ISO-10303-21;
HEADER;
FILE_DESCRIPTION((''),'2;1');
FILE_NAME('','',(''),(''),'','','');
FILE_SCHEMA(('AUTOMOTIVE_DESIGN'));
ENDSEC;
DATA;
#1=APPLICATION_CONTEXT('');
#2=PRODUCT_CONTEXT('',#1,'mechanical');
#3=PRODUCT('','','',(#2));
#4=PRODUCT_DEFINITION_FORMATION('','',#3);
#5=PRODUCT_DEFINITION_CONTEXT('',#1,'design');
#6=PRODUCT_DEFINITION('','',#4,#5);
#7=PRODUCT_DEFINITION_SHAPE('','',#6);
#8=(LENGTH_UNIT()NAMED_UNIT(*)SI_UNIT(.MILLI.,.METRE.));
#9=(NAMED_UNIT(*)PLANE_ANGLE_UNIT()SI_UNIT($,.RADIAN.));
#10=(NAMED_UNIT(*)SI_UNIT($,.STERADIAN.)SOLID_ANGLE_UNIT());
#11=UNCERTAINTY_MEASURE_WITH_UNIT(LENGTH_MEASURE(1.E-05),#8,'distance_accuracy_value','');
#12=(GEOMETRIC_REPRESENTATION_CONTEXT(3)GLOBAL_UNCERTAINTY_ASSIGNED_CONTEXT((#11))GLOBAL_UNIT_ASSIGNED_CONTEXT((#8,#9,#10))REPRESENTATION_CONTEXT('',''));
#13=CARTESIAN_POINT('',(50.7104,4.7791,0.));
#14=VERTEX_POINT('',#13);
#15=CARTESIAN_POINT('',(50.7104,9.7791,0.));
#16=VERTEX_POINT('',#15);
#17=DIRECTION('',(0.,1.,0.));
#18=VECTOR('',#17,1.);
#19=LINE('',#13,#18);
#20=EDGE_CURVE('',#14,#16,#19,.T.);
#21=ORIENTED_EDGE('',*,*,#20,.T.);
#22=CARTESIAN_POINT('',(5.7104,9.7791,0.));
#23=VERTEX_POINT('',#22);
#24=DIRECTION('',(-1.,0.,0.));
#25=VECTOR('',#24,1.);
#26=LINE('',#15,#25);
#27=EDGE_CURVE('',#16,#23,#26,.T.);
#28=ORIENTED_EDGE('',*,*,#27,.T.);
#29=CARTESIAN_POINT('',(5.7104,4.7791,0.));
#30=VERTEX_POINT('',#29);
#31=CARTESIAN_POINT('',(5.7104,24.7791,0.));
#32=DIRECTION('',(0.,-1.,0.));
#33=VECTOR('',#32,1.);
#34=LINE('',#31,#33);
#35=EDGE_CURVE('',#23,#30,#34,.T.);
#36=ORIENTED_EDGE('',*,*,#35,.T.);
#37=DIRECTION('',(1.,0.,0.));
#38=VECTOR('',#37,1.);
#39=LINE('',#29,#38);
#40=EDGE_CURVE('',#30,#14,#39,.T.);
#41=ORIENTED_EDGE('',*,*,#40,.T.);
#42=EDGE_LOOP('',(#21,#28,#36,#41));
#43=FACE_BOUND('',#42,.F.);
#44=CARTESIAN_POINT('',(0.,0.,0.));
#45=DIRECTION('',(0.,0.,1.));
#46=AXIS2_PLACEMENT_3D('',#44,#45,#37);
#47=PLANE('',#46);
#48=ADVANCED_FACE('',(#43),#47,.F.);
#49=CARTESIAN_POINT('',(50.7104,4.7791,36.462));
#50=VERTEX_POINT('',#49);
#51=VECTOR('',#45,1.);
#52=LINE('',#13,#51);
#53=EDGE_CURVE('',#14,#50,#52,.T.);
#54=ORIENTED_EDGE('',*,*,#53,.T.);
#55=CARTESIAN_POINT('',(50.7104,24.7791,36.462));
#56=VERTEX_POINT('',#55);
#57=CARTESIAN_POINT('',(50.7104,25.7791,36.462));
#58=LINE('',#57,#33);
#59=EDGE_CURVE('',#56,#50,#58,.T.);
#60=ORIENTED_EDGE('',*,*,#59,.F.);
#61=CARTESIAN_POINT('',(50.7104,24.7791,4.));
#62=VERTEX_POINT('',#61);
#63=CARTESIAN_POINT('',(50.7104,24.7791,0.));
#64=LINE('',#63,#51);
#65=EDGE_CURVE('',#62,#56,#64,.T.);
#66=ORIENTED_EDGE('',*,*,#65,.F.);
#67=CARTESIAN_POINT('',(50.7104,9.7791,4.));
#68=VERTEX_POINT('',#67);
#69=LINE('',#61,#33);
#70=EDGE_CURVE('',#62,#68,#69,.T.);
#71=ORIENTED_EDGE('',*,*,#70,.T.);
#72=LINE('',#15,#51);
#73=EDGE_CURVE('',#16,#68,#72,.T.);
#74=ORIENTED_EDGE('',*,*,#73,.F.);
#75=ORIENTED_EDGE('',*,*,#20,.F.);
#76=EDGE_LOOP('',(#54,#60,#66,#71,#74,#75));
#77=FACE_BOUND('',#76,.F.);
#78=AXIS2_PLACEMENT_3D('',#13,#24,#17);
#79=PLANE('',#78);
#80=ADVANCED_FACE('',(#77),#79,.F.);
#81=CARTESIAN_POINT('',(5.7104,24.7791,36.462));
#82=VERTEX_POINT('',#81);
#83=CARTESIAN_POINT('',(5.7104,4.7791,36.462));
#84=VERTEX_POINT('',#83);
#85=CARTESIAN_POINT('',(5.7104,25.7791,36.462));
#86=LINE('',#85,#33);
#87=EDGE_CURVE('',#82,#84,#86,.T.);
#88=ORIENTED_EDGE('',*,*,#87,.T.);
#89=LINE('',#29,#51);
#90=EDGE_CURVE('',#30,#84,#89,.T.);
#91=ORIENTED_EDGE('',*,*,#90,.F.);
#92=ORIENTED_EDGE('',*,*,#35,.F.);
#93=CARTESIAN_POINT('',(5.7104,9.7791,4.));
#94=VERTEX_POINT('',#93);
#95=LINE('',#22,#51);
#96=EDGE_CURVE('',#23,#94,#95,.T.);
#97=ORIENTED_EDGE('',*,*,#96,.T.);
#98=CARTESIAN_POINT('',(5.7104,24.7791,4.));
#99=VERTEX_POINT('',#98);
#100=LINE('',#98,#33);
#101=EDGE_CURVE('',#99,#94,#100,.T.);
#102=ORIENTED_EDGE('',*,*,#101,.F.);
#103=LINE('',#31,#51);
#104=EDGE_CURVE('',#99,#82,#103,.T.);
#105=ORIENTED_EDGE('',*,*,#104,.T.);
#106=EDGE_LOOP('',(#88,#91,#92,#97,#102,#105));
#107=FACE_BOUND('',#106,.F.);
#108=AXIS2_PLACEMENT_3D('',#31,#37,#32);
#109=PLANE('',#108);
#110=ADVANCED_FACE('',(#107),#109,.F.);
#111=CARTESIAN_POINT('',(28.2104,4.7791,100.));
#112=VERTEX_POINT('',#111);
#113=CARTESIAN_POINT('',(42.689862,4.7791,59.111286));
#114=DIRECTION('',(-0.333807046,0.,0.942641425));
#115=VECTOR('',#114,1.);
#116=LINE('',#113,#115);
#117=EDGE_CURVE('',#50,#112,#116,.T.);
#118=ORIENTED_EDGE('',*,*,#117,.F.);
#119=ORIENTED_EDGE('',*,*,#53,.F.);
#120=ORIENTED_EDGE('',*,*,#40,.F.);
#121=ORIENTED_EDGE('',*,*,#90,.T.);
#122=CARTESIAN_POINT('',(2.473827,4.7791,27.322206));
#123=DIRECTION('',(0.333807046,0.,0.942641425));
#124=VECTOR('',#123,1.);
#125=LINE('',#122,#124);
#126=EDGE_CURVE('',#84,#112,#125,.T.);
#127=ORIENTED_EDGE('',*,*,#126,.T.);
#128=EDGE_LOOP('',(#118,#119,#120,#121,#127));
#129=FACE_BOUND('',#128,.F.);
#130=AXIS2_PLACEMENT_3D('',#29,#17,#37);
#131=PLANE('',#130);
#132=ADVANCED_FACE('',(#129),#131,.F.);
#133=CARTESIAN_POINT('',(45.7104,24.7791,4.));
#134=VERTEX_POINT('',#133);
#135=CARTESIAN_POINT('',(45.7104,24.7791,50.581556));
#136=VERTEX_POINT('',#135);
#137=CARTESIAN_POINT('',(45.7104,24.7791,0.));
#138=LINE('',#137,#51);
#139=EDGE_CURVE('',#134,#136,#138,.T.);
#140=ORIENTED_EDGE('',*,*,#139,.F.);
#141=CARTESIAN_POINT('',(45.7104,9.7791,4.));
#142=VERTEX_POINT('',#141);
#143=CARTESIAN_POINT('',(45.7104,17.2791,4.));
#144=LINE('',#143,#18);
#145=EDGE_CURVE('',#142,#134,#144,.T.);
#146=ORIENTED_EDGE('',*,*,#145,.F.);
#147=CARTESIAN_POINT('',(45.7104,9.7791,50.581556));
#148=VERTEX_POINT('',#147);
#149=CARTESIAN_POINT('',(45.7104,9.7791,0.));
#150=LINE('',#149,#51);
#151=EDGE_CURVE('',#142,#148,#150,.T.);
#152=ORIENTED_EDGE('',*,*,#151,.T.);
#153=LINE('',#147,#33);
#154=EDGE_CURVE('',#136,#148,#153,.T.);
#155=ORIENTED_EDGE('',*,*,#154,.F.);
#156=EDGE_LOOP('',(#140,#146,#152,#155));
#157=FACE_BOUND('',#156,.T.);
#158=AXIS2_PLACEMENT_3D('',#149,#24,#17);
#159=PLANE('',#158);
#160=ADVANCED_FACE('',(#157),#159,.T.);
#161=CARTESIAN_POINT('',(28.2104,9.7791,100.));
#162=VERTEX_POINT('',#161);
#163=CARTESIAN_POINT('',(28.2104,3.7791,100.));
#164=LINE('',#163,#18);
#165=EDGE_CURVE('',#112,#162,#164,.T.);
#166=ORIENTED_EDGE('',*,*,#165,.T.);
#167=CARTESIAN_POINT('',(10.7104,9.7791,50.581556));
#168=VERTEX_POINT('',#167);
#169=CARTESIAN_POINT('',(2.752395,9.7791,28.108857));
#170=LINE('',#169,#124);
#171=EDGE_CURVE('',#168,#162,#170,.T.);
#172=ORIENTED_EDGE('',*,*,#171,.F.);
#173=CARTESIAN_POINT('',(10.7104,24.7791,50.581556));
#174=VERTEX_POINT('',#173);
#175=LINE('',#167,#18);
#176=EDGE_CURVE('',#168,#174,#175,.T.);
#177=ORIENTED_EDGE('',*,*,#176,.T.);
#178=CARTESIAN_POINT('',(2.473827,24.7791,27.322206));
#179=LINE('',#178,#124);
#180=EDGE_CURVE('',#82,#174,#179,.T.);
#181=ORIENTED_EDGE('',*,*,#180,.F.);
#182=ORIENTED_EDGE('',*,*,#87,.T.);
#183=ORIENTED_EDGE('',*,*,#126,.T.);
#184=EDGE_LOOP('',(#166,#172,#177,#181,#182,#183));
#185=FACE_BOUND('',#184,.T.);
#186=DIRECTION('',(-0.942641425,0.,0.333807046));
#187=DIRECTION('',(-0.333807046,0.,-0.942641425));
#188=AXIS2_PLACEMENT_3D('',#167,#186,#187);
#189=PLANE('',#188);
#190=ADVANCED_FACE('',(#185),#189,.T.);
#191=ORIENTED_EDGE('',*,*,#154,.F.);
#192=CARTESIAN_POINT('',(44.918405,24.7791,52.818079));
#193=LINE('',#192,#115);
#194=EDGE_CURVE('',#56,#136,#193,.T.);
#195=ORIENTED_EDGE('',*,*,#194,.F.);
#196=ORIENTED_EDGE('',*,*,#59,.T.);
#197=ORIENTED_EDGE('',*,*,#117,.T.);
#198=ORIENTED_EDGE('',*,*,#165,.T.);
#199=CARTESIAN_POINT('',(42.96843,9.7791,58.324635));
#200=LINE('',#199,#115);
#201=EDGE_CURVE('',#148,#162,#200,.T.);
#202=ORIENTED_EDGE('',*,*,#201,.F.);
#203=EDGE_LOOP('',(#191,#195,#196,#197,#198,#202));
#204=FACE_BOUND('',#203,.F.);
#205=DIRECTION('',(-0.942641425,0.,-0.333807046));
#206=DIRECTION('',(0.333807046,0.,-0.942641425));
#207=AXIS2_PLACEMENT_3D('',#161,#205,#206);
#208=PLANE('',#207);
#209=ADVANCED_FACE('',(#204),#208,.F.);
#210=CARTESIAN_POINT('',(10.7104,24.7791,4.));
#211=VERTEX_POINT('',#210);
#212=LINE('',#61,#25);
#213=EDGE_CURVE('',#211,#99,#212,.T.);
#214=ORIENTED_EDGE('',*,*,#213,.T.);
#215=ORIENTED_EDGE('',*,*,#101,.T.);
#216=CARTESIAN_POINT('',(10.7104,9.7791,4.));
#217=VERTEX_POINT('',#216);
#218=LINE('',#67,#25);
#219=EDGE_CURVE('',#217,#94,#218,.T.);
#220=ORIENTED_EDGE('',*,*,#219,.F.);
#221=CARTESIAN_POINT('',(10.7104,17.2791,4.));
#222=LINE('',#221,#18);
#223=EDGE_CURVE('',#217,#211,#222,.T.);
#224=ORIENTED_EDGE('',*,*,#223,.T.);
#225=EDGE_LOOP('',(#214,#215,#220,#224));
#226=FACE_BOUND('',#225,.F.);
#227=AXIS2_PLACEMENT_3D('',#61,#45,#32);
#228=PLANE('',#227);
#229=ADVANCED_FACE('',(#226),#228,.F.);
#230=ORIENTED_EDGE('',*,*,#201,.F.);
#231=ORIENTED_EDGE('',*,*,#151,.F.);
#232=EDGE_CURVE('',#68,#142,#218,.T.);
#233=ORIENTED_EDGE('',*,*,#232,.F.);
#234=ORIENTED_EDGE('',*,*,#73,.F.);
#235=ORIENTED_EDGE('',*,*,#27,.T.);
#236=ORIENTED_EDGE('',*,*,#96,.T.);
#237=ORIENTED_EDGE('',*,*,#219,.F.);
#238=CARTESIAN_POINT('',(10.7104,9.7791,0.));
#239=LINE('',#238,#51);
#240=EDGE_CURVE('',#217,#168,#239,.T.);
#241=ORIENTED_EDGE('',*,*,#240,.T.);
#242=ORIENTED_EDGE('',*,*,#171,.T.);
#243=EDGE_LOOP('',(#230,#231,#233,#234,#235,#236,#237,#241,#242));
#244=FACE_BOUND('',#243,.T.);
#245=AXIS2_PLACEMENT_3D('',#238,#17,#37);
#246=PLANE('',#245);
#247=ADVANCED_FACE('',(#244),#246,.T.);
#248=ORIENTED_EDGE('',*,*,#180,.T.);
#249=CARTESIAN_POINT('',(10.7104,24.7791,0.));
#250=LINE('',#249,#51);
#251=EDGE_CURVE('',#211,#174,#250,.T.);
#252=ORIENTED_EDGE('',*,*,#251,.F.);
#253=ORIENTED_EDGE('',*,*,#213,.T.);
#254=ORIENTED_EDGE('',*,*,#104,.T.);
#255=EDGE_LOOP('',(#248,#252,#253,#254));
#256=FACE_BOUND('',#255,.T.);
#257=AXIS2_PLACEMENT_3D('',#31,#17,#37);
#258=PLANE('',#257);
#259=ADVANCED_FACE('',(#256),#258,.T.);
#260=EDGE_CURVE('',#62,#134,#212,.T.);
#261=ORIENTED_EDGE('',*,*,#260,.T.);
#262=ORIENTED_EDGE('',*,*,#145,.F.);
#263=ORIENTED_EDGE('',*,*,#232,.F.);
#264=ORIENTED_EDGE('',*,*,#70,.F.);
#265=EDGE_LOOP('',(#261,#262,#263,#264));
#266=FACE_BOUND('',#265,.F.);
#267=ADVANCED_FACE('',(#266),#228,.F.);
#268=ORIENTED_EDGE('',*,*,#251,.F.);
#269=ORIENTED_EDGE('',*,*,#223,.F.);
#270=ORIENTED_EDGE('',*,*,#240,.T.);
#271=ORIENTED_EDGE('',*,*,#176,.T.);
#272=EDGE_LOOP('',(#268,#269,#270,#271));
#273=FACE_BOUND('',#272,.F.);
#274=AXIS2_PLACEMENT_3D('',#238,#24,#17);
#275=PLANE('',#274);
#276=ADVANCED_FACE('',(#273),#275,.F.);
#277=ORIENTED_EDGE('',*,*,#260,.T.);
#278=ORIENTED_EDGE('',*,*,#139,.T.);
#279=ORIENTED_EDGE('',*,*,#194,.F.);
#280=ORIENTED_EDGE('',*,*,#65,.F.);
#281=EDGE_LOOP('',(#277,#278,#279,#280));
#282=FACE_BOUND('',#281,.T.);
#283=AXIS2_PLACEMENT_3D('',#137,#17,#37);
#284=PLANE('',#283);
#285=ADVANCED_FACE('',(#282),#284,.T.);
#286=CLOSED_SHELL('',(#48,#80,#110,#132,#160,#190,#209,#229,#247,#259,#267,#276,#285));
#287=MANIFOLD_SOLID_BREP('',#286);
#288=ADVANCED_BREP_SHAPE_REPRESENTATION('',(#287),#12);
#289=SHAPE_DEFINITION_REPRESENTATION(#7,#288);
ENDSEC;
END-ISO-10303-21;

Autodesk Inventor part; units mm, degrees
ref_plane "YZ Plane" through (0, 0, 0) normal (1, 0, 0) x (0, 1, 0)
ref_plane "XZ Plane" through (0, 0, 0) normal (0, 1, 0) x (-1, 0, 0)
ref_plane "XY Plane" through (0, 0, 0) normal (0, 0, 1) x (1, 0, 0)
sketch "Sketch1" plane through (0, 0, 0) normal (0, 0, 1) x (1, 0, 0)
  line L0 (10.7104, 9.7791) -> (45.7104, 9.7791)
  line L1 (45.7104, 9.7791) -> (45.7104, 24.7791)
  line L2 (10.7104, 9.7791) -> (10.7104, 24.7791)
  line L3 (5.7104, 24.7791) -> (5.7104, 4.7791)
  line L4 (5.7104, 4.7791) -> (50.7104, 4.7791)
  line L5 (50.7104, 4.7791) -> (50.7104, 24.7791)
  line L6 (5.7104, 24.7791) -> (10.7104, 24.7791)
  line L7 (45.7104, 24.7791) -> (50.7104, 24.7791)
  point P0 (0, 0)
  point P1 (28.2104, 9.7791)
  dimension "d0" = 35
  dimension "d1" = 15
  dimension "d2" = 15
  dimension "d29" = 5
extrude "Extrusion1" add sketch "Sketch1" along normal blind 100
sketch "Sketch3" plane through (10.7104, 9.7791, 0) normal (0, 1, 0) x (1, 0, 0)
  line L0 (-5, -100) -> (40, -100) projected
  line L1 (-5, 0) -> (-5, -100) projected
  line L2 (17.5, -100) -> (37.1919, -100) construction
  line L3 (-5, -85.7353) -> (-5, -100)
  line L4 (-5, -100) -> (17.5, -100)
  line L5 (40, 0) -> (40, -100) projected
  line L6 (17.5, -100) -> (37.1919, -100) construction
  line L7 (40, -85.7353) -> (40, -100)
  line L8 (40, -100) -> (17.5, -100)
  line L9 (40, 0) -> (40, -100) projected
  line L10 (17.5, -100) -> (-5, -36.462)
  line L11 (17.5, -100) -> (40, -36.462)
  line L12 (-5, -36.462) -> (40, -36.462)
  line L13 (35, 0) -> (35, -100) projected
  line L14 (0, 0) -> (0, -100) projected
  point P0 (-10.7104, 0)
  point P1 (-5, -77.7514)
  point P2 (40, -36.462)
  point P3 (-5, -60.8533)
  dimension "d33" = 39
extrude "Extrusion5" cut sketch "Sketch3" along normal through all both and the other way through all contours L1 L10 L14 L0 | L14 L10 L0 | L11 L13 L0 | L13 L11 L5 L0
sketch "Sketch4" plane through (50.7104, 4.7791, 0) normal (1, 0, 0) x (0, 0, -1)
  line L0 (0, 20) -> (-50.5815, 20) projected
  line L1 (0, 20) -> (-4, 20)
  line L2 (-4, 20) -> (-4, 5)
  line L3 (0, 5) -> (-50.5815, 5) projected
  line L4 (0, 20) -> (0, 5) projected
  line L5 (0, 5) -> (0, 20)
  line L6 (0, 20) -> (0, 5)
  line L7 (-4, 5) -> (0, 5)
  point P0 (0, -4.7791)
  dimension "d24" = 4
extrude "Extrusion6" cut sketch "Sketch4" against normal through all
equation "\"BendRadius\" = Thickness"
equation "\"BendReliefWidth\" = Thickness"
equation "\"BendReliefDepth\" = 0.5 * Thickness"
equation "\"CornerReliefSize\" = 4 * Thickness"
equation "\"MinimumRemnant\" = 2 * Thickness"
equation "\"TransitionRadius\" = BendRadius"
equation "\"JacobiRadiusSize\" = BendRadius"
equation "\"GapSize\" = Thickness"
equation "\"Thickness\" = 0.5"
properties part number "middleslide2"
